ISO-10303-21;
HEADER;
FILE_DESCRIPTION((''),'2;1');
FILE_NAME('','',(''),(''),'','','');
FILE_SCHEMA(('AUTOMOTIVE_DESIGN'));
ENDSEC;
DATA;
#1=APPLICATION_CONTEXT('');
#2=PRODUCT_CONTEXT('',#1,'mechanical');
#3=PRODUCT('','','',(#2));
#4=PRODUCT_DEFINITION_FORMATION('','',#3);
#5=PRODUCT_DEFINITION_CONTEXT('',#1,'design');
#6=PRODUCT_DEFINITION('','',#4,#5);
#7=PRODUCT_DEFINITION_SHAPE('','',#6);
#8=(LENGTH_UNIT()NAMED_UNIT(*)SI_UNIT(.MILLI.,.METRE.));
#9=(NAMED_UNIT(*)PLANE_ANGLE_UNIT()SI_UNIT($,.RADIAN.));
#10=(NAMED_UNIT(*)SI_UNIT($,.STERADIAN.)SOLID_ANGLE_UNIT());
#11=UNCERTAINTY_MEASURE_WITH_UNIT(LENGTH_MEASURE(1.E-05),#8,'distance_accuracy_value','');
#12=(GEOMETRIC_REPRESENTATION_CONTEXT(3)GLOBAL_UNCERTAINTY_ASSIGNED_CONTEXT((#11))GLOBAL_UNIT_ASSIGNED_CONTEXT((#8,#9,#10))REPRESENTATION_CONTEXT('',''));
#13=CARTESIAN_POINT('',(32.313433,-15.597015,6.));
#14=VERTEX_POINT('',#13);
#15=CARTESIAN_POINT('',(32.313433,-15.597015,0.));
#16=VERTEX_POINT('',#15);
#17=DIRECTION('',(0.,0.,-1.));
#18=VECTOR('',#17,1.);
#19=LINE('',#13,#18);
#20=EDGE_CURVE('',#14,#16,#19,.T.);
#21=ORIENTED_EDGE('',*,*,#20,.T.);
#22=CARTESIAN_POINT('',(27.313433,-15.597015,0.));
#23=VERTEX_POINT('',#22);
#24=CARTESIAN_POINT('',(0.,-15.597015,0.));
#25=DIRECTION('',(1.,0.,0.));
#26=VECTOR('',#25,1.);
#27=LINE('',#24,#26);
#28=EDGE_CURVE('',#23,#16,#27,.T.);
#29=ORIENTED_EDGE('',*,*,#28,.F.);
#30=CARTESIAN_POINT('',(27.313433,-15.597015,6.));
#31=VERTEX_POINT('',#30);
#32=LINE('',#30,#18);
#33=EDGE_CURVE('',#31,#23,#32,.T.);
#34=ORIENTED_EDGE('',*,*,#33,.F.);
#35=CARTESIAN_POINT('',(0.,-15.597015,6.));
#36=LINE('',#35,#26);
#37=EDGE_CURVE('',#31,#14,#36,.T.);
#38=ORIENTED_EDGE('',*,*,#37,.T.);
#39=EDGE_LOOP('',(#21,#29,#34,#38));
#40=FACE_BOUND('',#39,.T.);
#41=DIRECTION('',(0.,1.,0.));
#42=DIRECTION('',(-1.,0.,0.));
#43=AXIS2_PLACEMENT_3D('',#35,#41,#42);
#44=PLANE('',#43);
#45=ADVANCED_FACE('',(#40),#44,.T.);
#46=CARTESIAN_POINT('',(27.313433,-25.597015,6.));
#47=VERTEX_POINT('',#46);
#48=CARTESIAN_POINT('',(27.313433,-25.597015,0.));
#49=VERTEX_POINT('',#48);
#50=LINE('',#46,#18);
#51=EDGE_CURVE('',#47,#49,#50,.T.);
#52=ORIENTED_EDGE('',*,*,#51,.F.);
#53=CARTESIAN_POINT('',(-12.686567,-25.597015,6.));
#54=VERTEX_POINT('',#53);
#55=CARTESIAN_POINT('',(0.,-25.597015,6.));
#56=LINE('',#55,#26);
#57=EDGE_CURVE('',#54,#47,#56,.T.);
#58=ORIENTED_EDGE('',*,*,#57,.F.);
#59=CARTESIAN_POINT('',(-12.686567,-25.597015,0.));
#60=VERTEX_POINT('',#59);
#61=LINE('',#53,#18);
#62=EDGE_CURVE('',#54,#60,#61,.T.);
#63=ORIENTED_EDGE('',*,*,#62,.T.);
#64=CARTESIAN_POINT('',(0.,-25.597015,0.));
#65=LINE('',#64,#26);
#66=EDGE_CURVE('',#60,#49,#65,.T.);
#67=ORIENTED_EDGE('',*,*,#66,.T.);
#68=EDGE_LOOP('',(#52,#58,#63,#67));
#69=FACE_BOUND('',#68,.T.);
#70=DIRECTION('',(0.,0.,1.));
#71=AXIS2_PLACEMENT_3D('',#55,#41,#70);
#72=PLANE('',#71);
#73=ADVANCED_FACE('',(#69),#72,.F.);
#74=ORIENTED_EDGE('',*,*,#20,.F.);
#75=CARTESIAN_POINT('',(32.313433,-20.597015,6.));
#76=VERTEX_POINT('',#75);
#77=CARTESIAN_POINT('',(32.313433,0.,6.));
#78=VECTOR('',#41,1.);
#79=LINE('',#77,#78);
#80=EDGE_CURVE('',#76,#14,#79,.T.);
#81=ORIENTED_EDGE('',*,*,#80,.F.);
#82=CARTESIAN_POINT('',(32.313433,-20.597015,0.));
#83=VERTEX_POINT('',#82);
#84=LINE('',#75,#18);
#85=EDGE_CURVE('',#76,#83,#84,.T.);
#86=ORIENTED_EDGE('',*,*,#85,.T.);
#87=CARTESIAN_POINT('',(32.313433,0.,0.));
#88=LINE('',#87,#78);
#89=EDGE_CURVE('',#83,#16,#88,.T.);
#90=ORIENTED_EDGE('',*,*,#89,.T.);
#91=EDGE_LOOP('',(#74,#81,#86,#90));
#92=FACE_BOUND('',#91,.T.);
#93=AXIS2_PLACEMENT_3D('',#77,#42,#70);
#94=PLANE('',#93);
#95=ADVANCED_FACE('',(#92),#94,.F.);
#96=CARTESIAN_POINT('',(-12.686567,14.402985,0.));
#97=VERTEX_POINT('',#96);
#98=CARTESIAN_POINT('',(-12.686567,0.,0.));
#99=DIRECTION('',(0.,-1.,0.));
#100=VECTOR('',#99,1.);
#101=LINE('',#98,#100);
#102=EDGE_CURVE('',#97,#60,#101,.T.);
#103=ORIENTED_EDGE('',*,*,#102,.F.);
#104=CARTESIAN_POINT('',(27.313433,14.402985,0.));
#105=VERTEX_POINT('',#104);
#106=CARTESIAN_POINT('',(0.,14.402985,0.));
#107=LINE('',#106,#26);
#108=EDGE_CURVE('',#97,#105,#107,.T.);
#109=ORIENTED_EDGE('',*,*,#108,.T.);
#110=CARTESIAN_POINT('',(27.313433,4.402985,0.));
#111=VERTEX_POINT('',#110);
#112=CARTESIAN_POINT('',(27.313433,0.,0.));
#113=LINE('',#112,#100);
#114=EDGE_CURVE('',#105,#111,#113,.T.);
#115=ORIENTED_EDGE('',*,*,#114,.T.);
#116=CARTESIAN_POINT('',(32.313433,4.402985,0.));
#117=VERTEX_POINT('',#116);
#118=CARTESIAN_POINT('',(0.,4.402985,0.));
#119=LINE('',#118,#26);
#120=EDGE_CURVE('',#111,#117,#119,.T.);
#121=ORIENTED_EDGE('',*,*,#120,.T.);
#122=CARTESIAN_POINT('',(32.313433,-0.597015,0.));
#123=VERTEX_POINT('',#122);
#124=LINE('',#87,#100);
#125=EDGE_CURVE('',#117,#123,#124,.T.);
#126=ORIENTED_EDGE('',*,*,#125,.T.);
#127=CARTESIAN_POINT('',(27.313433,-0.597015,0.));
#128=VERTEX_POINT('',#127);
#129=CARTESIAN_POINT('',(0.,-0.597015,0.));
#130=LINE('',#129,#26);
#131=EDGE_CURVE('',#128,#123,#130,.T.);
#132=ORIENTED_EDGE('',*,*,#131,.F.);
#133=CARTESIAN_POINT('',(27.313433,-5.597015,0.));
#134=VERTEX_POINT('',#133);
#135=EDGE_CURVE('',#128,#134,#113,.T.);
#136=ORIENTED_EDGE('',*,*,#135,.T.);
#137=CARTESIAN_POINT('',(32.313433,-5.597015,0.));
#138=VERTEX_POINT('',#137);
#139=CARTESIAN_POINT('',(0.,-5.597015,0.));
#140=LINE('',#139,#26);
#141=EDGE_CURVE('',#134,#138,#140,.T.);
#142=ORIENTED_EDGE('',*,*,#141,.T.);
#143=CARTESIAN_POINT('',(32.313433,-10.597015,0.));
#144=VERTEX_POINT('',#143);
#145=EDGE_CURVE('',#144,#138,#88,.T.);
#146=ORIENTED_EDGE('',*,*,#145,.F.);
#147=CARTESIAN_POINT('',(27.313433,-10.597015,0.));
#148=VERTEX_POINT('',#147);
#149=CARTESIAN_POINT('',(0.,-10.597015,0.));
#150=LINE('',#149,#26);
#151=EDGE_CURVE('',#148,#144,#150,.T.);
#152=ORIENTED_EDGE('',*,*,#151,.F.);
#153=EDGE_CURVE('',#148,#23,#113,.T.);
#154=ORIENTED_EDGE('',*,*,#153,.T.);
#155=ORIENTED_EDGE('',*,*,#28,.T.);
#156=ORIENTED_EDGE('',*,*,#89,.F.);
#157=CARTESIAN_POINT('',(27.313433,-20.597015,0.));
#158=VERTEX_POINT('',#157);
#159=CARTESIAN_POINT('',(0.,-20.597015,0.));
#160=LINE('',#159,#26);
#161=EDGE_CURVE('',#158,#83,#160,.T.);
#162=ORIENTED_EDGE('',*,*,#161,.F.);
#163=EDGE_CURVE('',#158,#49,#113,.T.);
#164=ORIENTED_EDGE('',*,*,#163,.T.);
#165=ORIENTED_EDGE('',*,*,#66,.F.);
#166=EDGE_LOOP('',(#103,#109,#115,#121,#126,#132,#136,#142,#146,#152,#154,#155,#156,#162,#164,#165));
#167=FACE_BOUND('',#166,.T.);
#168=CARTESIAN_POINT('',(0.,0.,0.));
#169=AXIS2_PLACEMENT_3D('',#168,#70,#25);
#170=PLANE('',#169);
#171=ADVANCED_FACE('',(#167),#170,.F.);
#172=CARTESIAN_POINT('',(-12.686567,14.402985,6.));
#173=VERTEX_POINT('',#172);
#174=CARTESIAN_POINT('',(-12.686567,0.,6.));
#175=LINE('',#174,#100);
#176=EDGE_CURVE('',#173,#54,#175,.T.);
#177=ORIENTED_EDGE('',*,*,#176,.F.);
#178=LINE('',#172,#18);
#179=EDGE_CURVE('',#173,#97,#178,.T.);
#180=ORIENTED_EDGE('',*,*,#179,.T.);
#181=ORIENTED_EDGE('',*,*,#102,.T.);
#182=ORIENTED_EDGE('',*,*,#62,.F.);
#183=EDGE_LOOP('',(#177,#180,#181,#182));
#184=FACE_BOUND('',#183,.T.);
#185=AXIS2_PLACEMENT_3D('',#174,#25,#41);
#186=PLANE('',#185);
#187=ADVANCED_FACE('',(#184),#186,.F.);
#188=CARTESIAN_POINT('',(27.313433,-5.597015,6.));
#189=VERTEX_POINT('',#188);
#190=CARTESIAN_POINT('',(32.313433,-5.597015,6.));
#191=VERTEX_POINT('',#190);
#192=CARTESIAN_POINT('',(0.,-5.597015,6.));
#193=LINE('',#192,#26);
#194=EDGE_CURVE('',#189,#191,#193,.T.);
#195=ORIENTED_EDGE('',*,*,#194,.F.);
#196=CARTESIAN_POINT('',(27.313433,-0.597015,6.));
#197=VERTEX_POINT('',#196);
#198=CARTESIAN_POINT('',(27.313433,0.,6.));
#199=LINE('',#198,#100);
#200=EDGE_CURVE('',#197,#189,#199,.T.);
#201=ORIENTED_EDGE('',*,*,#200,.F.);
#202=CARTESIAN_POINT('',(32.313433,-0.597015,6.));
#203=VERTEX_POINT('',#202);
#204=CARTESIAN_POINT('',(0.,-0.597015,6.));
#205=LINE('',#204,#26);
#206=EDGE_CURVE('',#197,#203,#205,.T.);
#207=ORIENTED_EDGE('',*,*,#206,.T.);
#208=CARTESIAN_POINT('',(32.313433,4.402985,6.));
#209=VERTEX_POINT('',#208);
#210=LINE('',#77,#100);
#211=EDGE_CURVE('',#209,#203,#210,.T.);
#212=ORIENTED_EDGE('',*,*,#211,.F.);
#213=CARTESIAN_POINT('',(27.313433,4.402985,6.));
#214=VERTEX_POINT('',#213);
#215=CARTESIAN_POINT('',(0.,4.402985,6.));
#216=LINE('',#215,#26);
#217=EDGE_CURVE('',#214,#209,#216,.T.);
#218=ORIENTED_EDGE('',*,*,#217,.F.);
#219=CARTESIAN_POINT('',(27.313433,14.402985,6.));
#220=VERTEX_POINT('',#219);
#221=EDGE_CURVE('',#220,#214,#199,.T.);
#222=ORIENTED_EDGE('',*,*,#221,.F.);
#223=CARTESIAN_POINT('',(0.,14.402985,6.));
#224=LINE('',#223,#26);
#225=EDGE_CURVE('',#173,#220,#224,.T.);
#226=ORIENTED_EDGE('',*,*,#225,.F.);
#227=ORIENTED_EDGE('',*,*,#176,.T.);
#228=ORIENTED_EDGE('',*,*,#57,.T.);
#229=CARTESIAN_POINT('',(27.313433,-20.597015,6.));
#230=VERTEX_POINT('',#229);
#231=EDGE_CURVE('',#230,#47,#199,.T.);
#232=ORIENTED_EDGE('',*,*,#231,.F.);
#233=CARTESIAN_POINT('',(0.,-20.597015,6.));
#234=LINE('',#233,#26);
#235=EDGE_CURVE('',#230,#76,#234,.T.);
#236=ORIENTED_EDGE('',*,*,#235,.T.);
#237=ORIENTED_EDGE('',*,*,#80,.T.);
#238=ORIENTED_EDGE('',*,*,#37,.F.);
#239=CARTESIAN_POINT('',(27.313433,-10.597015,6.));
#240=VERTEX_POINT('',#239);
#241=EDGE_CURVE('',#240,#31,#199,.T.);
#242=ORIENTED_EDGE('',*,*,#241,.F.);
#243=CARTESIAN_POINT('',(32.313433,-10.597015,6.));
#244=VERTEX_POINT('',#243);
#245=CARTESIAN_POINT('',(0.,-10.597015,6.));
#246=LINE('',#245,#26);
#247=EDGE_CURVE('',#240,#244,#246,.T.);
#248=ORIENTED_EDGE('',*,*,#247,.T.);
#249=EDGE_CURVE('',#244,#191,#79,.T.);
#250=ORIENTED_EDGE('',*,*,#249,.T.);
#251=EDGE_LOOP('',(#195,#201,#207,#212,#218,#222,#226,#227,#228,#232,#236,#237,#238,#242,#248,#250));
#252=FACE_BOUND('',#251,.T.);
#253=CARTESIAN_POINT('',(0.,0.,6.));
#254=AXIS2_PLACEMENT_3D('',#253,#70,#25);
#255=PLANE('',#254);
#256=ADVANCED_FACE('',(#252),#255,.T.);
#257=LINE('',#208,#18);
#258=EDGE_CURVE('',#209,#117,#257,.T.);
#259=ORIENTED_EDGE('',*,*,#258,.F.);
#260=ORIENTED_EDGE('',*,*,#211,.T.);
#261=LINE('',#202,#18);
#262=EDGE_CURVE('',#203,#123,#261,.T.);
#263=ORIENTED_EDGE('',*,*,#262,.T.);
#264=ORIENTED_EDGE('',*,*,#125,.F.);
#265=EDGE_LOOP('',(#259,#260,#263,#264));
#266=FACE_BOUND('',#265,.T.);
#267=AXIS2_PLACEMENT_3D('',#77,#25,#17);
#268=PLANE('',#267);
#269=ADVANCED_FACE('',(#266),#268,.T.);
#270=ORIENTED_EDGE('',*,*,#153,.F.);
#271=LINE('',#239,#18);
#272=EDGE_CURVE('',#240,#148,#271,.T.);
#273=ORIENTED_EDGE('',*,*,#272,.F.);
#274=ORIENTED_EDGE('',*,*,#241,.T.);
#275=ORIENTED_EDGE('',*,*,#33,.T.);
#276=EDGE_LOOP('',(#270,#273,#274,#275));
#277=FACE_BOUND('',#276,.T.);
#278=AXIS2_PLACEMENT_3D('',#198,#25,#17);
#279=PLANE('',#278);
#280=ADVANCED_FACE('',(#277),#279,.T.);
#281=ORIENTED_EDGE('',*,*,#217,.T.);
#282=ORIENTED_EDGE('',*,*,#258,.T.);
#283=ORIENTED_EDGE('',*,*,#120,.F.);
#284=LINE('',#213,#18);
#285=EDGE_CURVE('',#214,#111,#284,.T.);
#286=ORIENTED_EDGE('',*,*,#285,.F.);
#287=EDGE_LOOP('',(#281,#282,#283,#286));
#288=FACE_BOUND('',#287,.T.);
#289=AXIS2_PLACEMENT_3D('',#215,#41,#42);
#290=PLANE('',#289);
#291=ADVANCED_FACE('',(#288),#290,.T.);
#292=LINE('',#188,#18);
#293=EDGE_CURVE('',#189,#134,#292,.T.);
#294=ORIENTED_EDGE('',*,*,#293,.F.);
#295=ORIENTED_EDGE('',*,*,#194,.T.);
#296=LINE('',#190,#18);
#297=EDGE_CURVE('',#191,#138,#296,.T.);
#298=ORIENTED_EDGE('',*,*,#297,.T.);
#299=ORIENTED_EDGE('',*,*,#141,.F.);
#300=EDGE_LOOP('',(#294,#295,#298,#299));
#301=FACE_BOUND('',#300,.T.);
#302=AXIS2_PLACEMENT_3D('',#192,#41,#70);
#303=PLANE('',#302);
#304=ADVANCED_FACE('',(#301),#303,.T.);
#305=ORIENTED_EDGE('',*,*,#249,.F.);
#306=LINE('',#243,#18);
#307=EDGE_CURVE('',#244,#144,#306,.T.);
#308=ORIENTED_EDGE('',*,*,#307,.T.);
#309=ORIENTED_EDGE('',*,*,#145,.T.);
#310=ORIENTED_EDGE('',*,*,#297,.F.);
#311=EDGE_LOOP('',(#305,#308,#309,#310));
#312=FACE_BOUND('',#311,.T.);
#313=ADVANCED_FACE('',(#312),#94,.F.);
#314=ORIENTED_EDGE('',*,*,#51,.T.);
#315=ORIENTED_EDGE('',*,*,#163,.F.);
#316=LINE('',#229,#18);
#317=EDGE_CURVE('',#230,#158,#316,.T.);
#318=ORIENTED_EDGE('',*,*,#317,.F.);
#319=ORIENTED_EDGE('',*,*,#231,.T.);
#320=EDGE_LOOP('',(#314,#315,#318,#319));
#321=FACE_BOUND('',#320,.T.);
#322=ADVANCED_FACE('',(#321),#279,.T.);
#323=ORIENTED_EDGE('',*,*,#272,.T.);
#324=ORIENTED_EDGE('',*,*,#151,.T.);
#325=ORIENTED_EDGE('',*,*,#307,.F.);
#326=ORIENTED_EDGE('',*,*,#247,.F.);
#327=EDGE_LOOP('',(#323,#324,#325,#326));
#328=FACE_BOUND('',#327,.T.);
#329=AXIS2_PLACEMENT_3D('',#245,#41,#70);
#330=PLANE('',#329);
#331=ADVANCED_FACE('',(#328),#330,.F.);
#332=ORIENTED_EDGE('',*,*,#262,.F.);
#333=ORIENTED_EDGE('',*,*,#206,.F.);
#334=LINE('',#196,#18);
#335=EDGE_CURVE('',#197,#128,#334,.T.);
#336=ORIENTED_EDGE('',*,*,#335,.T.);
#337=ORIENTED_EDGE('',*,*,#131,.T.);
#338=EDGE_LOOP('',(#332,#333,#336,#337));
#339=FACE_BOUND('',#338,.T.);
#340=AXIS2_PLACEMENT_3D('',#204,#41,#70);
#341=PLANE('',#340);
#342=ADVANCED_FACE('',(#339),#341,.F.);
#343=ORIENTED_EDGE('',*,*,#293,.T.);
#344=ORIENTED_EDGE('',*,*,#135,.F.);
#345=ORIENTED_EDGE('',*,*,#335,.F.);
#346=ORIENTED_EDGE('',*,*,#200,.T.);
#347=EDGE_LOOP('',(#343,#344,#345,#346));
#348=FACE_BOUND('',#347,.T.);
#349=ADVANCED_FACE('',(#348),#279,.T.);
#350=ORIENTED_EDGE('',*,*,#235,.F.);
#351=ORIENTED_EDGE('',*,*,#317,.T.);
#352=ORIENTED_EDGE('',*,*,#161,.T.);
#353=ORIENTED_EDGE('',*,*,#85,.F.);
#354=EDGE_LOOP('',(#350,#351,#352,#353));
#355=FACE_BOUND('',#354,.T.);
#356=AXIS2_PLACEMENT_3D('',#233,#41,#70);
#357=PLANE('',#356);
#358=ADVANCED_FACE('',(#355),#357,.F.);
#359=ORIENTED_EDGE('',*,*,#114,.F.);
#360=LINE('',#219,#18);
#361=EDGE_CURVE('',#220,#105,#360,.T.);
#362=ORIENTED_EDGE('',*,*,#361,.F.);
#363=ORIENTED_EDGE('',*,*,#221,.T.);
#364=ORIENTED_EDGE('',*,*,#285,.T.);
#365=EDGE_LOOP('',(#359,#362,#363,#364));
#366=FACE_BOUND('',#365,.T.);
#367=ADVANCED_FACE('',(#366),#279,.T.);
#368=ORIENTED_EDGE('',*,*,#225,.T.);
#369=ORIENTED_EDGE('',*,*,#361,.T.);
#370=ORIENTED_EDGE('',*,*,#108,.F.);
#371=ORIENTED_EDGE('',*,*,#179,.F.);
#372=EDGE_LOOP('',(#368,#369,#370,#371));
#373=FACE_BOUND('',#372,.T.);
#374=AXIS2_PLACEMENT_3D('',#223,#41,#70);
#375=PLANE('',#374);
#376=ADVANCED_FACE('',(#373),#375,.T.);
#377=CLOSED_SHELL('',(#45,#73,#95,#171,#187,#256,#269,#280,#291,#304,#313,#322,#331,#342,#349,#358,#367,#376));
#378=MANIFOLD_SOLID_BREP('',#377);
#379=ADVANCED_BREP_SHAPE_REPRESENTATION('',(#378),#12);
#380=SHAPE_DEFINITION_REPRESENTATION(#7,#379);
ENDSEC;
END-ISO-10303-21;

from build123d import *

# Parameters (mm, degrees)
BOSS_EXTRUDE1_DEPTH = 6
SKETCH1_4_W         = 5
SKETCH1_4_H         = 5
BOSS_EXTRUDE2_DEPTH = 6


with BuildPart() as part:
    # Sketch1 → Boss-Extrude1 (new body)
    with BuildSketch(Plane.XY):
        Polygon((27.313432836, 14.402985075), (-12.686567164, 14.402985075), (-12.686567164, -25.597014925), (27.313432836, -25.597014925), (27.313432836, -20.597014925), (27.313432836, -15.597014925), (27.313432836, -10.597014925), (27.313432836, -5.597014925), (27.313432836, -0.597014925), (27.313432836, 4.402985075), align=None)
    extrude(amount=BOSS_EXTRUDE1_DEPTH)

    # Sketch1<4> → Boss-Extrude2 (add)
    with BuildSketch(Plane.XY):
        with Locations((29.813432836, 1.902985075)):
            Rectangle(SKETCH1_4_W, SKETCH1_4_H)
        with Locations((29.813432836, -18.097014925)):
            Rectangle(SKETCH1_4_W, SKETCH1_4_H)
        with Locations((29.813432836, -8.097014925)):
            Rectangle(SKETCH1_4_W, SKETCH1_4_H)
    extrude(amount=BOSS_EXTRUDE2_DEPTH)


solid = part.part
